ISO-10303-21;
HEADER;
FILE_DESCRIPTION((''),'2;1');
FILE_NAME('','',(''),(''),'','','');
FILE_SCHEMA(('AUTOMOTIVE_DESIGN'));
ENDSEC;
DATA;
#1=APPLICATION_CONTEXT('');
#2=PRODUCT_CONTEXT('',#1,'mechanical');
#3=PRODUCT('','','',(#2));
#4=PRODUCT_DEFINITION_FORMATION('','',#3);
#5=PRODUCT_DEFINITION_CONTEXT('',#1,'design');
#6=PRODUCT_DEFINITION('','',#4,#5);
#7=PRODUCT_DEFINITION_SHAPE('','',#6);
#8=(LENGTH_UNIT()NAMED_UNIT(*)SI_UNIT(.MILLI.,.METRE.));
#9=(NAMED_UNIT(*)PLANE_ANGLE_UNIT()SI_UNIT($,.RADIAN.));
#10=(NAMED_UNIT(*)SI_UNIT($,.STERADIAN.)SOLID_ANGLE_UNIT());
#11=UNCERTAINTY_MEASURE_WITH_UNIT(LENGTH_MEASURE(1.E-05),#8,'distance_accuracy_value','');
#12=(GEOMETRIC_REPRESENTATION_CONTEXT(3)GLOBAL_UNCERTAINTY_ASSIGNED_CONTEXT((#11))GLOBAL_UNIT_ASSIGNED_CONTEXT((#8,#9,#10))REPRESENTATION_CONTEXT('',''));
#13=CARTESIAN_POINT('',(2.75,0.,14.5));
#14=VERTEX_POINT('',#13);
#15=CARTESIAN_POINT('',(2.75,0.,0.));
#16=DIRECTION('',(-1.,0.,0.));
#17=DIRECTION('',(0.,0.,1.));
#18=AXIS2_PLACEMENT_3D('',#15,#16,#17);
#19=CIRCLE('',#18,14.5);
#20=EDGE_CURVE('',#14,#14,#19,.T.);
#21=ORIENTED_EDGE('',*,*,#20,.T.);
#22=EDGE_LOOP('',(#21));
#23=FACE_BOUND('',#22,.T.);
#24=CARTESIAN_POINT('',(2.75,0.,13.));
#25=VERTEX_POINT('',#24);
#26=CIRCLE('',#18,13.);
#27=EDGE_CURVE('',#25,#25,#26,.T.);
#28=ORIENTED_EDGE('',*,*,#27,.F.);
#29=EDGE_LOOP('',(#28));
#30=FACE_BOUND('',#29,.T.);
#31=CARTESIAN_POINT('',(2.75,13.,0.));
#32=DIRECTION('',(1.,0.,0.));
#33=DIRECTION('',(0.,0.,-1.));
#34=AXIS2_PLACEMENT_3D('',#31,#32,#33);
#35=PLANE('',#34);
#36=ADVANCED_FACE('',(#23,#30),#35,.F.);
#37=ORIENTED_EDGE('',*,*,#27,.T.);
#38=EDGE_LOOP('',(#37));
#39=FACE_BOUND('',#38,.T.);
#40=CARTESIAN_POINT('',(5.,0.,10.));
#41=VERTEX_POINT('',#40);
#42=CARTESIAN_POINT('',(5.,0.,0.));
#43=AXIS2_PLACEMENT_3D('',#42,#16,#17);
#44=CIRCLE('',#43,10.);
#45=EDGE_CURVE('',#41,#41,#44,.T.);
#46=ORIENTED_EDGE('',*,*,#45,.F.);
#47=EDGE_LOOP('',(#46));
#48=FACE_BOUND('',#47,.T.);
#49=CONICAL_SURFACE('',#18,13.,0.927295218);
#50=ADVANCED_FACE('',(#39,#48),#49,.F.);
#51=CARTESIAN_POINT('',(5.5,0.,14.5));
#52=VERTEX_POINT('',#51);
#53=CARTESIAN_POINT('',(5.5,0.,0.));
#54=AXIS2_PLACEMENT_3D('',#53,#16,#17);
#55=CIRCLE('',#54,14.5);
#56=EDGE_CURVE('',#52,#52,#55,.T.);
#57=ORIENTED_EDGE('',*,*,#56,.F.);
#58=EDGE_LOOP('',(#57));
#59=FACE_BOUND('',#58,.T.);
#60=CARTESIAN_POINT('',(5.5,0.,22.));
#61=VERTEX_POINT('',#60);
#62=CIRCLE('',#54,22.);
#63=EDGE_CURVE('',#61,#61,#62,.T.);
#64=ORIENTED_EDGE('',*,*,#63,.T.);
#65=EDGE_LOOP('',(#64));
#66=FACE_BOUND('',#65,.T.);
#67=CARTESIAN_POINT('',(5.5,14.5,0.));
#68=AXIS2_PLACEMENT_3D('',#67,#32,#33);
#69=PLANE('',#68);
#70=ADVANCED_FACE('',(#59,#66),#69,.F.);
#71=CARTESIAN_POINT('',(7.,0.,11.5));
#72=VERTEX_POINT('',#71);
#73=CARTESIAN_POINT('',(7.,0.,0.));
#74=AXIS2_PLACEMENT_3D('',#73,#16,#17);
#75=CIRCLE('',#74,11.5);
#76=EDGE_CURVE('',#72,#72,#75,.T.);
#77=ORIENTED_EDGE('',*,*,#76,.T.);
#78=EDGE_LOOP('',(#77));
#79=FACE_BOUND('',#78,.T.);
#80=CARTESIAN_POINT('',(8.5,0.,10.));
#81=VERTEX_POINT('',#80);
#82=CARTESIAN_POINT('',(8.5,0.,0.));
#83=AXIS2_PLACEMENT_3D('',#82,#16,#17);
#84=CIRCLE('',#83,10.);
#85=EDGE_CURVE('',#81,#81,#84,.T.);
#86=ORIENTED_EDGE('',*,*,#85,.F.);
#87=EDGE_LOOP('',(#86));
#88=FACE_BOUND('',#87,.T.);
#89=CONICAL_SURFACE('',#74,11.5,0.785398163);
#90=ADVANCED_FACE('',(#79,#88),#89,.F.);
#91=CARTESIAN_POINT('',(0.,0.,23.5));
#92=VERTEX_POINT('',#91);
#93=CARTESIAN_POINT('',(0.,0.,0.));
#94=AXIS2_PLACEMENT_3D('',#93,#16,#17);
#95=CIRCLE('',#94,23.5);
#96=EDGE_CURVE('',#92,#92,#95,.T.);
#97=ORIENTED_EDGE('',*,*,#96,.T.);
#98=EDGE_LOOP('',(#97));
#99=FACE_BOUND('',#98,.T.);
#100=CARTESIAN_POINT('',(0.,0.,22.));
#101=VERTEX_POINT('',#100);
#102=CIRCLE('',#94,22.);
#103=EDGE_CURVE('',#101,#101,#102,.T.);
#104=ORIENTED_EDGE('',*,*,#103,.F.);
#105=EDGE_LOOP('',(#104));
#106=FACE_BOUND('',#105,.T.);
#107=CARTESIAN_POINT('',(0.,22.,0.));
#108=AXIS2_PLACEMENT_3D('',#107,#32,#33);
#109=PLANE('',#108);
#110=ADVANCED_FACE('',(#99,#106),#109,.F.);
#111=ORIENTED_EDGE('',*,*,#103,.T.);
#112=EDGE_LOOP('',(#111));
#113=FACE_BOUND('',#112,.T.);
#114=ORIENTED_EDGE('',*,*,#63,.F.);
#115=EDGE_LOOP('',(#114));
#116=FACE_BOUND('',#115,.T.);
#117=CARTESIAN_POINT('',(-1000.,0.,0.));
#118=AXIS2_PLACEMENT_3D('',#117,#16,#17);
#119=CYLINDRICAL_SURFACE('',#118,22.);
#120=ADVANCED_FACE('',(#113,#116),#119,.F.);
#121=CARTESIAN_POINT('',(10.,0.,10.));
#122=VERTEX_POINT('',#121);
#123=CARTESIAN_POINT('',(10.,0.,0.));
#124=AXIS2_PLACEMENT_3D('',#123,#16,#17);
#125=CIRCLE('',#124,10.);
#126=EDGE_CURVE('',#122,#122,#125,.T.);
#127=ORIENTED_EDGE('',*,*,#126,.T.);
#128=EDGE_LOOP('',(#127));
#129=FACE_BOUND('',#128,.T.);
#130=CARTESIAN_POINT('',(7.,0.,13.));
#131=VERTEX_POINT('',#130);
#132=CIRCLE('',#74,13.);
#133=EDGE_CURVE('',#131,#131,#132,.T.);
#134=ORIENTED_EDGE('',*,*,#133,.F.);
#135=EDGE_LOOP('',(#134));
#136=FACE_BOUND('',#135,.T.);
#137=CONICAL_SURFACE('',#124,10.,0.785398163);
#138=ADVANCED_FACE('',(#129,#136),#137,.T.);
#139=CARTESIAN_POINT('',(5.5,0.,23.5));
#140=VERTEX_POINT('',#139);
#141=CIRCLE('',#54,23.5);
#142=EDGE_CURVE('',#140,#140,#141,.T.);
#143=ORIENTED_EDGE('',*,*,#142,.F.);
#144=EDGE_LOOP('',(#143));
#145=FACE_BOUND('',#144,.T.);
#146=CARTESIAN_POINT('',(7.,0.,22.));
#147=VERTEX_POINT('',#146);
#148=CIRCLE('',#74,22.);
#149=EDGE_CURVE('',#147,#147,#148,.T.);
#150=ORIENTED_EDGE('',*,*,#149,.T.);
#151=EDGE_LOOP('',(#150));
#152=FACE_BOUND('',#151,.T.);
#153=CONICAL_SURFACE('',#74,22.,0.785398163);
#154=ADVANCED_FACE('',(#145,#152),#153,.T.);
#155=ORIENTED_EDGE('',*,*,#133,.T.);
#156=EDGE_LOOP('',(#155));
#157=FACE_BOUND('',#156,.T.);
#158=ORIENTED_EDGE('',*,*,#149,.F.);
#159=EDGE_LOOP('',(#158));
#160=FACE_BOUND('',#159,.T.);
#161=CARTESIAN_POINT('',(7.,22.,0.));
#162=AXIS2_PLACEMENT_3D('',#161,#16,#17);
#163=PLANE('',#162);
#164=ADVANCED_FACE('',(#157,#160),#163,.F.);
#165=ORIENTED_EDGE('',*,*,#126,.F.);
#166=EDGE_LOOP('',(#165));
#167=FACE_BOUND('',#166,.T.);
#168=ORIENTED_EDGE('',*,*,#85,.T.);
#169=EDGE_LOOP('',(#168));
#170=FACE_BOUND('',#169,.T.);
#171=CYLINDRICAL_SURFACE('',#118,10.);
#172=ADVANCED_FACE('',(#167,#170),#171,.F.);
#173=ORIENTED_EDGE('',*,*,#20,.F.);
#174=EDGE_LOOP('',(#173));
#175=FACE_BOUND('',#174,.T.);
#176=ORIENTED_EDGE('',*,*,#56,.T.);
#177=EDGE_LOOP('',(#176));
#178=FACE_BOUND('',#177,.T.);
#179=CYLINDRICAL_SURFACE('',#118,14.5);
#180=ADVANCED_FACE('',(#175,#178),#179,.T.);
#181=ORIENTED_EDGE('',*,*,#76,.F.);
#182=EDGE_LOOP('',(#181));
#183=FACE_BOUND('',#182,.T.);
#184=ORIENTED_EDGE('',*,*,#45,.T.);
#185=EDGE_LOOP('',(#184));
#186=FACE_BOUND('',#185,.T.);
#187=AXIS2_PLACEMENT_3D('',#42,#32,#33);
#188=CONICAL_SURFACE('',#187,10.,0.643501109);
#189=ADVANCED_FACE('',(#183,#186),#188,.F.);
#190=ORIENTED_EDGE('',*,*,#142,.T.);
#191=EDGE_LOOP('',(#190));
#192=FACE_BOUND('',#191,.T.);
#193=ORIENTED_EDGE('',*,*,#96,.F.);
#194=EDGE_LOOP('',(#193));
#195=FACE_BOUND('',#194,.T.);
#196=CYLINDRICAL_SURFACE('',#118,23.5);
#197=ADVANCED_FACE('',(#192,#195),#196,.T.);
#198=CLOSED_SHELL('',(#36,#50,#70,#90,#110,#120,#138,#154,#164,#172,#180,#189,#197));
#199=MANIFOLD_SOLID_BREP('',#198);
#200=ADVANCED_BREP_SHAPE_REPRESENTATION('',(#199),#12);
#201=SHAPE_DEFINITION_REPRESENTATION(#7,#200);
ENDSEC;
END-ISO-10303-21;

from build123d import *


with BuildPart() as part:
    # Эскиз1 → Повернуть1 (revolve)
    with BuildSketch(Plane.XY):
        Polygon((0, 22), (0, 23.5), (5.5, 23.5), (7, 22), (7, 13), (10, 10), (8.5, 10), (7, 11.5), (5, 10), (2.75, 13), (2.75, 14.5), (5.5, 14.5), (5.5, 22), align=None)
    revolve(axis=Axis((-1000, 0, 0), (1, 0, 0)))


solid = part.part
